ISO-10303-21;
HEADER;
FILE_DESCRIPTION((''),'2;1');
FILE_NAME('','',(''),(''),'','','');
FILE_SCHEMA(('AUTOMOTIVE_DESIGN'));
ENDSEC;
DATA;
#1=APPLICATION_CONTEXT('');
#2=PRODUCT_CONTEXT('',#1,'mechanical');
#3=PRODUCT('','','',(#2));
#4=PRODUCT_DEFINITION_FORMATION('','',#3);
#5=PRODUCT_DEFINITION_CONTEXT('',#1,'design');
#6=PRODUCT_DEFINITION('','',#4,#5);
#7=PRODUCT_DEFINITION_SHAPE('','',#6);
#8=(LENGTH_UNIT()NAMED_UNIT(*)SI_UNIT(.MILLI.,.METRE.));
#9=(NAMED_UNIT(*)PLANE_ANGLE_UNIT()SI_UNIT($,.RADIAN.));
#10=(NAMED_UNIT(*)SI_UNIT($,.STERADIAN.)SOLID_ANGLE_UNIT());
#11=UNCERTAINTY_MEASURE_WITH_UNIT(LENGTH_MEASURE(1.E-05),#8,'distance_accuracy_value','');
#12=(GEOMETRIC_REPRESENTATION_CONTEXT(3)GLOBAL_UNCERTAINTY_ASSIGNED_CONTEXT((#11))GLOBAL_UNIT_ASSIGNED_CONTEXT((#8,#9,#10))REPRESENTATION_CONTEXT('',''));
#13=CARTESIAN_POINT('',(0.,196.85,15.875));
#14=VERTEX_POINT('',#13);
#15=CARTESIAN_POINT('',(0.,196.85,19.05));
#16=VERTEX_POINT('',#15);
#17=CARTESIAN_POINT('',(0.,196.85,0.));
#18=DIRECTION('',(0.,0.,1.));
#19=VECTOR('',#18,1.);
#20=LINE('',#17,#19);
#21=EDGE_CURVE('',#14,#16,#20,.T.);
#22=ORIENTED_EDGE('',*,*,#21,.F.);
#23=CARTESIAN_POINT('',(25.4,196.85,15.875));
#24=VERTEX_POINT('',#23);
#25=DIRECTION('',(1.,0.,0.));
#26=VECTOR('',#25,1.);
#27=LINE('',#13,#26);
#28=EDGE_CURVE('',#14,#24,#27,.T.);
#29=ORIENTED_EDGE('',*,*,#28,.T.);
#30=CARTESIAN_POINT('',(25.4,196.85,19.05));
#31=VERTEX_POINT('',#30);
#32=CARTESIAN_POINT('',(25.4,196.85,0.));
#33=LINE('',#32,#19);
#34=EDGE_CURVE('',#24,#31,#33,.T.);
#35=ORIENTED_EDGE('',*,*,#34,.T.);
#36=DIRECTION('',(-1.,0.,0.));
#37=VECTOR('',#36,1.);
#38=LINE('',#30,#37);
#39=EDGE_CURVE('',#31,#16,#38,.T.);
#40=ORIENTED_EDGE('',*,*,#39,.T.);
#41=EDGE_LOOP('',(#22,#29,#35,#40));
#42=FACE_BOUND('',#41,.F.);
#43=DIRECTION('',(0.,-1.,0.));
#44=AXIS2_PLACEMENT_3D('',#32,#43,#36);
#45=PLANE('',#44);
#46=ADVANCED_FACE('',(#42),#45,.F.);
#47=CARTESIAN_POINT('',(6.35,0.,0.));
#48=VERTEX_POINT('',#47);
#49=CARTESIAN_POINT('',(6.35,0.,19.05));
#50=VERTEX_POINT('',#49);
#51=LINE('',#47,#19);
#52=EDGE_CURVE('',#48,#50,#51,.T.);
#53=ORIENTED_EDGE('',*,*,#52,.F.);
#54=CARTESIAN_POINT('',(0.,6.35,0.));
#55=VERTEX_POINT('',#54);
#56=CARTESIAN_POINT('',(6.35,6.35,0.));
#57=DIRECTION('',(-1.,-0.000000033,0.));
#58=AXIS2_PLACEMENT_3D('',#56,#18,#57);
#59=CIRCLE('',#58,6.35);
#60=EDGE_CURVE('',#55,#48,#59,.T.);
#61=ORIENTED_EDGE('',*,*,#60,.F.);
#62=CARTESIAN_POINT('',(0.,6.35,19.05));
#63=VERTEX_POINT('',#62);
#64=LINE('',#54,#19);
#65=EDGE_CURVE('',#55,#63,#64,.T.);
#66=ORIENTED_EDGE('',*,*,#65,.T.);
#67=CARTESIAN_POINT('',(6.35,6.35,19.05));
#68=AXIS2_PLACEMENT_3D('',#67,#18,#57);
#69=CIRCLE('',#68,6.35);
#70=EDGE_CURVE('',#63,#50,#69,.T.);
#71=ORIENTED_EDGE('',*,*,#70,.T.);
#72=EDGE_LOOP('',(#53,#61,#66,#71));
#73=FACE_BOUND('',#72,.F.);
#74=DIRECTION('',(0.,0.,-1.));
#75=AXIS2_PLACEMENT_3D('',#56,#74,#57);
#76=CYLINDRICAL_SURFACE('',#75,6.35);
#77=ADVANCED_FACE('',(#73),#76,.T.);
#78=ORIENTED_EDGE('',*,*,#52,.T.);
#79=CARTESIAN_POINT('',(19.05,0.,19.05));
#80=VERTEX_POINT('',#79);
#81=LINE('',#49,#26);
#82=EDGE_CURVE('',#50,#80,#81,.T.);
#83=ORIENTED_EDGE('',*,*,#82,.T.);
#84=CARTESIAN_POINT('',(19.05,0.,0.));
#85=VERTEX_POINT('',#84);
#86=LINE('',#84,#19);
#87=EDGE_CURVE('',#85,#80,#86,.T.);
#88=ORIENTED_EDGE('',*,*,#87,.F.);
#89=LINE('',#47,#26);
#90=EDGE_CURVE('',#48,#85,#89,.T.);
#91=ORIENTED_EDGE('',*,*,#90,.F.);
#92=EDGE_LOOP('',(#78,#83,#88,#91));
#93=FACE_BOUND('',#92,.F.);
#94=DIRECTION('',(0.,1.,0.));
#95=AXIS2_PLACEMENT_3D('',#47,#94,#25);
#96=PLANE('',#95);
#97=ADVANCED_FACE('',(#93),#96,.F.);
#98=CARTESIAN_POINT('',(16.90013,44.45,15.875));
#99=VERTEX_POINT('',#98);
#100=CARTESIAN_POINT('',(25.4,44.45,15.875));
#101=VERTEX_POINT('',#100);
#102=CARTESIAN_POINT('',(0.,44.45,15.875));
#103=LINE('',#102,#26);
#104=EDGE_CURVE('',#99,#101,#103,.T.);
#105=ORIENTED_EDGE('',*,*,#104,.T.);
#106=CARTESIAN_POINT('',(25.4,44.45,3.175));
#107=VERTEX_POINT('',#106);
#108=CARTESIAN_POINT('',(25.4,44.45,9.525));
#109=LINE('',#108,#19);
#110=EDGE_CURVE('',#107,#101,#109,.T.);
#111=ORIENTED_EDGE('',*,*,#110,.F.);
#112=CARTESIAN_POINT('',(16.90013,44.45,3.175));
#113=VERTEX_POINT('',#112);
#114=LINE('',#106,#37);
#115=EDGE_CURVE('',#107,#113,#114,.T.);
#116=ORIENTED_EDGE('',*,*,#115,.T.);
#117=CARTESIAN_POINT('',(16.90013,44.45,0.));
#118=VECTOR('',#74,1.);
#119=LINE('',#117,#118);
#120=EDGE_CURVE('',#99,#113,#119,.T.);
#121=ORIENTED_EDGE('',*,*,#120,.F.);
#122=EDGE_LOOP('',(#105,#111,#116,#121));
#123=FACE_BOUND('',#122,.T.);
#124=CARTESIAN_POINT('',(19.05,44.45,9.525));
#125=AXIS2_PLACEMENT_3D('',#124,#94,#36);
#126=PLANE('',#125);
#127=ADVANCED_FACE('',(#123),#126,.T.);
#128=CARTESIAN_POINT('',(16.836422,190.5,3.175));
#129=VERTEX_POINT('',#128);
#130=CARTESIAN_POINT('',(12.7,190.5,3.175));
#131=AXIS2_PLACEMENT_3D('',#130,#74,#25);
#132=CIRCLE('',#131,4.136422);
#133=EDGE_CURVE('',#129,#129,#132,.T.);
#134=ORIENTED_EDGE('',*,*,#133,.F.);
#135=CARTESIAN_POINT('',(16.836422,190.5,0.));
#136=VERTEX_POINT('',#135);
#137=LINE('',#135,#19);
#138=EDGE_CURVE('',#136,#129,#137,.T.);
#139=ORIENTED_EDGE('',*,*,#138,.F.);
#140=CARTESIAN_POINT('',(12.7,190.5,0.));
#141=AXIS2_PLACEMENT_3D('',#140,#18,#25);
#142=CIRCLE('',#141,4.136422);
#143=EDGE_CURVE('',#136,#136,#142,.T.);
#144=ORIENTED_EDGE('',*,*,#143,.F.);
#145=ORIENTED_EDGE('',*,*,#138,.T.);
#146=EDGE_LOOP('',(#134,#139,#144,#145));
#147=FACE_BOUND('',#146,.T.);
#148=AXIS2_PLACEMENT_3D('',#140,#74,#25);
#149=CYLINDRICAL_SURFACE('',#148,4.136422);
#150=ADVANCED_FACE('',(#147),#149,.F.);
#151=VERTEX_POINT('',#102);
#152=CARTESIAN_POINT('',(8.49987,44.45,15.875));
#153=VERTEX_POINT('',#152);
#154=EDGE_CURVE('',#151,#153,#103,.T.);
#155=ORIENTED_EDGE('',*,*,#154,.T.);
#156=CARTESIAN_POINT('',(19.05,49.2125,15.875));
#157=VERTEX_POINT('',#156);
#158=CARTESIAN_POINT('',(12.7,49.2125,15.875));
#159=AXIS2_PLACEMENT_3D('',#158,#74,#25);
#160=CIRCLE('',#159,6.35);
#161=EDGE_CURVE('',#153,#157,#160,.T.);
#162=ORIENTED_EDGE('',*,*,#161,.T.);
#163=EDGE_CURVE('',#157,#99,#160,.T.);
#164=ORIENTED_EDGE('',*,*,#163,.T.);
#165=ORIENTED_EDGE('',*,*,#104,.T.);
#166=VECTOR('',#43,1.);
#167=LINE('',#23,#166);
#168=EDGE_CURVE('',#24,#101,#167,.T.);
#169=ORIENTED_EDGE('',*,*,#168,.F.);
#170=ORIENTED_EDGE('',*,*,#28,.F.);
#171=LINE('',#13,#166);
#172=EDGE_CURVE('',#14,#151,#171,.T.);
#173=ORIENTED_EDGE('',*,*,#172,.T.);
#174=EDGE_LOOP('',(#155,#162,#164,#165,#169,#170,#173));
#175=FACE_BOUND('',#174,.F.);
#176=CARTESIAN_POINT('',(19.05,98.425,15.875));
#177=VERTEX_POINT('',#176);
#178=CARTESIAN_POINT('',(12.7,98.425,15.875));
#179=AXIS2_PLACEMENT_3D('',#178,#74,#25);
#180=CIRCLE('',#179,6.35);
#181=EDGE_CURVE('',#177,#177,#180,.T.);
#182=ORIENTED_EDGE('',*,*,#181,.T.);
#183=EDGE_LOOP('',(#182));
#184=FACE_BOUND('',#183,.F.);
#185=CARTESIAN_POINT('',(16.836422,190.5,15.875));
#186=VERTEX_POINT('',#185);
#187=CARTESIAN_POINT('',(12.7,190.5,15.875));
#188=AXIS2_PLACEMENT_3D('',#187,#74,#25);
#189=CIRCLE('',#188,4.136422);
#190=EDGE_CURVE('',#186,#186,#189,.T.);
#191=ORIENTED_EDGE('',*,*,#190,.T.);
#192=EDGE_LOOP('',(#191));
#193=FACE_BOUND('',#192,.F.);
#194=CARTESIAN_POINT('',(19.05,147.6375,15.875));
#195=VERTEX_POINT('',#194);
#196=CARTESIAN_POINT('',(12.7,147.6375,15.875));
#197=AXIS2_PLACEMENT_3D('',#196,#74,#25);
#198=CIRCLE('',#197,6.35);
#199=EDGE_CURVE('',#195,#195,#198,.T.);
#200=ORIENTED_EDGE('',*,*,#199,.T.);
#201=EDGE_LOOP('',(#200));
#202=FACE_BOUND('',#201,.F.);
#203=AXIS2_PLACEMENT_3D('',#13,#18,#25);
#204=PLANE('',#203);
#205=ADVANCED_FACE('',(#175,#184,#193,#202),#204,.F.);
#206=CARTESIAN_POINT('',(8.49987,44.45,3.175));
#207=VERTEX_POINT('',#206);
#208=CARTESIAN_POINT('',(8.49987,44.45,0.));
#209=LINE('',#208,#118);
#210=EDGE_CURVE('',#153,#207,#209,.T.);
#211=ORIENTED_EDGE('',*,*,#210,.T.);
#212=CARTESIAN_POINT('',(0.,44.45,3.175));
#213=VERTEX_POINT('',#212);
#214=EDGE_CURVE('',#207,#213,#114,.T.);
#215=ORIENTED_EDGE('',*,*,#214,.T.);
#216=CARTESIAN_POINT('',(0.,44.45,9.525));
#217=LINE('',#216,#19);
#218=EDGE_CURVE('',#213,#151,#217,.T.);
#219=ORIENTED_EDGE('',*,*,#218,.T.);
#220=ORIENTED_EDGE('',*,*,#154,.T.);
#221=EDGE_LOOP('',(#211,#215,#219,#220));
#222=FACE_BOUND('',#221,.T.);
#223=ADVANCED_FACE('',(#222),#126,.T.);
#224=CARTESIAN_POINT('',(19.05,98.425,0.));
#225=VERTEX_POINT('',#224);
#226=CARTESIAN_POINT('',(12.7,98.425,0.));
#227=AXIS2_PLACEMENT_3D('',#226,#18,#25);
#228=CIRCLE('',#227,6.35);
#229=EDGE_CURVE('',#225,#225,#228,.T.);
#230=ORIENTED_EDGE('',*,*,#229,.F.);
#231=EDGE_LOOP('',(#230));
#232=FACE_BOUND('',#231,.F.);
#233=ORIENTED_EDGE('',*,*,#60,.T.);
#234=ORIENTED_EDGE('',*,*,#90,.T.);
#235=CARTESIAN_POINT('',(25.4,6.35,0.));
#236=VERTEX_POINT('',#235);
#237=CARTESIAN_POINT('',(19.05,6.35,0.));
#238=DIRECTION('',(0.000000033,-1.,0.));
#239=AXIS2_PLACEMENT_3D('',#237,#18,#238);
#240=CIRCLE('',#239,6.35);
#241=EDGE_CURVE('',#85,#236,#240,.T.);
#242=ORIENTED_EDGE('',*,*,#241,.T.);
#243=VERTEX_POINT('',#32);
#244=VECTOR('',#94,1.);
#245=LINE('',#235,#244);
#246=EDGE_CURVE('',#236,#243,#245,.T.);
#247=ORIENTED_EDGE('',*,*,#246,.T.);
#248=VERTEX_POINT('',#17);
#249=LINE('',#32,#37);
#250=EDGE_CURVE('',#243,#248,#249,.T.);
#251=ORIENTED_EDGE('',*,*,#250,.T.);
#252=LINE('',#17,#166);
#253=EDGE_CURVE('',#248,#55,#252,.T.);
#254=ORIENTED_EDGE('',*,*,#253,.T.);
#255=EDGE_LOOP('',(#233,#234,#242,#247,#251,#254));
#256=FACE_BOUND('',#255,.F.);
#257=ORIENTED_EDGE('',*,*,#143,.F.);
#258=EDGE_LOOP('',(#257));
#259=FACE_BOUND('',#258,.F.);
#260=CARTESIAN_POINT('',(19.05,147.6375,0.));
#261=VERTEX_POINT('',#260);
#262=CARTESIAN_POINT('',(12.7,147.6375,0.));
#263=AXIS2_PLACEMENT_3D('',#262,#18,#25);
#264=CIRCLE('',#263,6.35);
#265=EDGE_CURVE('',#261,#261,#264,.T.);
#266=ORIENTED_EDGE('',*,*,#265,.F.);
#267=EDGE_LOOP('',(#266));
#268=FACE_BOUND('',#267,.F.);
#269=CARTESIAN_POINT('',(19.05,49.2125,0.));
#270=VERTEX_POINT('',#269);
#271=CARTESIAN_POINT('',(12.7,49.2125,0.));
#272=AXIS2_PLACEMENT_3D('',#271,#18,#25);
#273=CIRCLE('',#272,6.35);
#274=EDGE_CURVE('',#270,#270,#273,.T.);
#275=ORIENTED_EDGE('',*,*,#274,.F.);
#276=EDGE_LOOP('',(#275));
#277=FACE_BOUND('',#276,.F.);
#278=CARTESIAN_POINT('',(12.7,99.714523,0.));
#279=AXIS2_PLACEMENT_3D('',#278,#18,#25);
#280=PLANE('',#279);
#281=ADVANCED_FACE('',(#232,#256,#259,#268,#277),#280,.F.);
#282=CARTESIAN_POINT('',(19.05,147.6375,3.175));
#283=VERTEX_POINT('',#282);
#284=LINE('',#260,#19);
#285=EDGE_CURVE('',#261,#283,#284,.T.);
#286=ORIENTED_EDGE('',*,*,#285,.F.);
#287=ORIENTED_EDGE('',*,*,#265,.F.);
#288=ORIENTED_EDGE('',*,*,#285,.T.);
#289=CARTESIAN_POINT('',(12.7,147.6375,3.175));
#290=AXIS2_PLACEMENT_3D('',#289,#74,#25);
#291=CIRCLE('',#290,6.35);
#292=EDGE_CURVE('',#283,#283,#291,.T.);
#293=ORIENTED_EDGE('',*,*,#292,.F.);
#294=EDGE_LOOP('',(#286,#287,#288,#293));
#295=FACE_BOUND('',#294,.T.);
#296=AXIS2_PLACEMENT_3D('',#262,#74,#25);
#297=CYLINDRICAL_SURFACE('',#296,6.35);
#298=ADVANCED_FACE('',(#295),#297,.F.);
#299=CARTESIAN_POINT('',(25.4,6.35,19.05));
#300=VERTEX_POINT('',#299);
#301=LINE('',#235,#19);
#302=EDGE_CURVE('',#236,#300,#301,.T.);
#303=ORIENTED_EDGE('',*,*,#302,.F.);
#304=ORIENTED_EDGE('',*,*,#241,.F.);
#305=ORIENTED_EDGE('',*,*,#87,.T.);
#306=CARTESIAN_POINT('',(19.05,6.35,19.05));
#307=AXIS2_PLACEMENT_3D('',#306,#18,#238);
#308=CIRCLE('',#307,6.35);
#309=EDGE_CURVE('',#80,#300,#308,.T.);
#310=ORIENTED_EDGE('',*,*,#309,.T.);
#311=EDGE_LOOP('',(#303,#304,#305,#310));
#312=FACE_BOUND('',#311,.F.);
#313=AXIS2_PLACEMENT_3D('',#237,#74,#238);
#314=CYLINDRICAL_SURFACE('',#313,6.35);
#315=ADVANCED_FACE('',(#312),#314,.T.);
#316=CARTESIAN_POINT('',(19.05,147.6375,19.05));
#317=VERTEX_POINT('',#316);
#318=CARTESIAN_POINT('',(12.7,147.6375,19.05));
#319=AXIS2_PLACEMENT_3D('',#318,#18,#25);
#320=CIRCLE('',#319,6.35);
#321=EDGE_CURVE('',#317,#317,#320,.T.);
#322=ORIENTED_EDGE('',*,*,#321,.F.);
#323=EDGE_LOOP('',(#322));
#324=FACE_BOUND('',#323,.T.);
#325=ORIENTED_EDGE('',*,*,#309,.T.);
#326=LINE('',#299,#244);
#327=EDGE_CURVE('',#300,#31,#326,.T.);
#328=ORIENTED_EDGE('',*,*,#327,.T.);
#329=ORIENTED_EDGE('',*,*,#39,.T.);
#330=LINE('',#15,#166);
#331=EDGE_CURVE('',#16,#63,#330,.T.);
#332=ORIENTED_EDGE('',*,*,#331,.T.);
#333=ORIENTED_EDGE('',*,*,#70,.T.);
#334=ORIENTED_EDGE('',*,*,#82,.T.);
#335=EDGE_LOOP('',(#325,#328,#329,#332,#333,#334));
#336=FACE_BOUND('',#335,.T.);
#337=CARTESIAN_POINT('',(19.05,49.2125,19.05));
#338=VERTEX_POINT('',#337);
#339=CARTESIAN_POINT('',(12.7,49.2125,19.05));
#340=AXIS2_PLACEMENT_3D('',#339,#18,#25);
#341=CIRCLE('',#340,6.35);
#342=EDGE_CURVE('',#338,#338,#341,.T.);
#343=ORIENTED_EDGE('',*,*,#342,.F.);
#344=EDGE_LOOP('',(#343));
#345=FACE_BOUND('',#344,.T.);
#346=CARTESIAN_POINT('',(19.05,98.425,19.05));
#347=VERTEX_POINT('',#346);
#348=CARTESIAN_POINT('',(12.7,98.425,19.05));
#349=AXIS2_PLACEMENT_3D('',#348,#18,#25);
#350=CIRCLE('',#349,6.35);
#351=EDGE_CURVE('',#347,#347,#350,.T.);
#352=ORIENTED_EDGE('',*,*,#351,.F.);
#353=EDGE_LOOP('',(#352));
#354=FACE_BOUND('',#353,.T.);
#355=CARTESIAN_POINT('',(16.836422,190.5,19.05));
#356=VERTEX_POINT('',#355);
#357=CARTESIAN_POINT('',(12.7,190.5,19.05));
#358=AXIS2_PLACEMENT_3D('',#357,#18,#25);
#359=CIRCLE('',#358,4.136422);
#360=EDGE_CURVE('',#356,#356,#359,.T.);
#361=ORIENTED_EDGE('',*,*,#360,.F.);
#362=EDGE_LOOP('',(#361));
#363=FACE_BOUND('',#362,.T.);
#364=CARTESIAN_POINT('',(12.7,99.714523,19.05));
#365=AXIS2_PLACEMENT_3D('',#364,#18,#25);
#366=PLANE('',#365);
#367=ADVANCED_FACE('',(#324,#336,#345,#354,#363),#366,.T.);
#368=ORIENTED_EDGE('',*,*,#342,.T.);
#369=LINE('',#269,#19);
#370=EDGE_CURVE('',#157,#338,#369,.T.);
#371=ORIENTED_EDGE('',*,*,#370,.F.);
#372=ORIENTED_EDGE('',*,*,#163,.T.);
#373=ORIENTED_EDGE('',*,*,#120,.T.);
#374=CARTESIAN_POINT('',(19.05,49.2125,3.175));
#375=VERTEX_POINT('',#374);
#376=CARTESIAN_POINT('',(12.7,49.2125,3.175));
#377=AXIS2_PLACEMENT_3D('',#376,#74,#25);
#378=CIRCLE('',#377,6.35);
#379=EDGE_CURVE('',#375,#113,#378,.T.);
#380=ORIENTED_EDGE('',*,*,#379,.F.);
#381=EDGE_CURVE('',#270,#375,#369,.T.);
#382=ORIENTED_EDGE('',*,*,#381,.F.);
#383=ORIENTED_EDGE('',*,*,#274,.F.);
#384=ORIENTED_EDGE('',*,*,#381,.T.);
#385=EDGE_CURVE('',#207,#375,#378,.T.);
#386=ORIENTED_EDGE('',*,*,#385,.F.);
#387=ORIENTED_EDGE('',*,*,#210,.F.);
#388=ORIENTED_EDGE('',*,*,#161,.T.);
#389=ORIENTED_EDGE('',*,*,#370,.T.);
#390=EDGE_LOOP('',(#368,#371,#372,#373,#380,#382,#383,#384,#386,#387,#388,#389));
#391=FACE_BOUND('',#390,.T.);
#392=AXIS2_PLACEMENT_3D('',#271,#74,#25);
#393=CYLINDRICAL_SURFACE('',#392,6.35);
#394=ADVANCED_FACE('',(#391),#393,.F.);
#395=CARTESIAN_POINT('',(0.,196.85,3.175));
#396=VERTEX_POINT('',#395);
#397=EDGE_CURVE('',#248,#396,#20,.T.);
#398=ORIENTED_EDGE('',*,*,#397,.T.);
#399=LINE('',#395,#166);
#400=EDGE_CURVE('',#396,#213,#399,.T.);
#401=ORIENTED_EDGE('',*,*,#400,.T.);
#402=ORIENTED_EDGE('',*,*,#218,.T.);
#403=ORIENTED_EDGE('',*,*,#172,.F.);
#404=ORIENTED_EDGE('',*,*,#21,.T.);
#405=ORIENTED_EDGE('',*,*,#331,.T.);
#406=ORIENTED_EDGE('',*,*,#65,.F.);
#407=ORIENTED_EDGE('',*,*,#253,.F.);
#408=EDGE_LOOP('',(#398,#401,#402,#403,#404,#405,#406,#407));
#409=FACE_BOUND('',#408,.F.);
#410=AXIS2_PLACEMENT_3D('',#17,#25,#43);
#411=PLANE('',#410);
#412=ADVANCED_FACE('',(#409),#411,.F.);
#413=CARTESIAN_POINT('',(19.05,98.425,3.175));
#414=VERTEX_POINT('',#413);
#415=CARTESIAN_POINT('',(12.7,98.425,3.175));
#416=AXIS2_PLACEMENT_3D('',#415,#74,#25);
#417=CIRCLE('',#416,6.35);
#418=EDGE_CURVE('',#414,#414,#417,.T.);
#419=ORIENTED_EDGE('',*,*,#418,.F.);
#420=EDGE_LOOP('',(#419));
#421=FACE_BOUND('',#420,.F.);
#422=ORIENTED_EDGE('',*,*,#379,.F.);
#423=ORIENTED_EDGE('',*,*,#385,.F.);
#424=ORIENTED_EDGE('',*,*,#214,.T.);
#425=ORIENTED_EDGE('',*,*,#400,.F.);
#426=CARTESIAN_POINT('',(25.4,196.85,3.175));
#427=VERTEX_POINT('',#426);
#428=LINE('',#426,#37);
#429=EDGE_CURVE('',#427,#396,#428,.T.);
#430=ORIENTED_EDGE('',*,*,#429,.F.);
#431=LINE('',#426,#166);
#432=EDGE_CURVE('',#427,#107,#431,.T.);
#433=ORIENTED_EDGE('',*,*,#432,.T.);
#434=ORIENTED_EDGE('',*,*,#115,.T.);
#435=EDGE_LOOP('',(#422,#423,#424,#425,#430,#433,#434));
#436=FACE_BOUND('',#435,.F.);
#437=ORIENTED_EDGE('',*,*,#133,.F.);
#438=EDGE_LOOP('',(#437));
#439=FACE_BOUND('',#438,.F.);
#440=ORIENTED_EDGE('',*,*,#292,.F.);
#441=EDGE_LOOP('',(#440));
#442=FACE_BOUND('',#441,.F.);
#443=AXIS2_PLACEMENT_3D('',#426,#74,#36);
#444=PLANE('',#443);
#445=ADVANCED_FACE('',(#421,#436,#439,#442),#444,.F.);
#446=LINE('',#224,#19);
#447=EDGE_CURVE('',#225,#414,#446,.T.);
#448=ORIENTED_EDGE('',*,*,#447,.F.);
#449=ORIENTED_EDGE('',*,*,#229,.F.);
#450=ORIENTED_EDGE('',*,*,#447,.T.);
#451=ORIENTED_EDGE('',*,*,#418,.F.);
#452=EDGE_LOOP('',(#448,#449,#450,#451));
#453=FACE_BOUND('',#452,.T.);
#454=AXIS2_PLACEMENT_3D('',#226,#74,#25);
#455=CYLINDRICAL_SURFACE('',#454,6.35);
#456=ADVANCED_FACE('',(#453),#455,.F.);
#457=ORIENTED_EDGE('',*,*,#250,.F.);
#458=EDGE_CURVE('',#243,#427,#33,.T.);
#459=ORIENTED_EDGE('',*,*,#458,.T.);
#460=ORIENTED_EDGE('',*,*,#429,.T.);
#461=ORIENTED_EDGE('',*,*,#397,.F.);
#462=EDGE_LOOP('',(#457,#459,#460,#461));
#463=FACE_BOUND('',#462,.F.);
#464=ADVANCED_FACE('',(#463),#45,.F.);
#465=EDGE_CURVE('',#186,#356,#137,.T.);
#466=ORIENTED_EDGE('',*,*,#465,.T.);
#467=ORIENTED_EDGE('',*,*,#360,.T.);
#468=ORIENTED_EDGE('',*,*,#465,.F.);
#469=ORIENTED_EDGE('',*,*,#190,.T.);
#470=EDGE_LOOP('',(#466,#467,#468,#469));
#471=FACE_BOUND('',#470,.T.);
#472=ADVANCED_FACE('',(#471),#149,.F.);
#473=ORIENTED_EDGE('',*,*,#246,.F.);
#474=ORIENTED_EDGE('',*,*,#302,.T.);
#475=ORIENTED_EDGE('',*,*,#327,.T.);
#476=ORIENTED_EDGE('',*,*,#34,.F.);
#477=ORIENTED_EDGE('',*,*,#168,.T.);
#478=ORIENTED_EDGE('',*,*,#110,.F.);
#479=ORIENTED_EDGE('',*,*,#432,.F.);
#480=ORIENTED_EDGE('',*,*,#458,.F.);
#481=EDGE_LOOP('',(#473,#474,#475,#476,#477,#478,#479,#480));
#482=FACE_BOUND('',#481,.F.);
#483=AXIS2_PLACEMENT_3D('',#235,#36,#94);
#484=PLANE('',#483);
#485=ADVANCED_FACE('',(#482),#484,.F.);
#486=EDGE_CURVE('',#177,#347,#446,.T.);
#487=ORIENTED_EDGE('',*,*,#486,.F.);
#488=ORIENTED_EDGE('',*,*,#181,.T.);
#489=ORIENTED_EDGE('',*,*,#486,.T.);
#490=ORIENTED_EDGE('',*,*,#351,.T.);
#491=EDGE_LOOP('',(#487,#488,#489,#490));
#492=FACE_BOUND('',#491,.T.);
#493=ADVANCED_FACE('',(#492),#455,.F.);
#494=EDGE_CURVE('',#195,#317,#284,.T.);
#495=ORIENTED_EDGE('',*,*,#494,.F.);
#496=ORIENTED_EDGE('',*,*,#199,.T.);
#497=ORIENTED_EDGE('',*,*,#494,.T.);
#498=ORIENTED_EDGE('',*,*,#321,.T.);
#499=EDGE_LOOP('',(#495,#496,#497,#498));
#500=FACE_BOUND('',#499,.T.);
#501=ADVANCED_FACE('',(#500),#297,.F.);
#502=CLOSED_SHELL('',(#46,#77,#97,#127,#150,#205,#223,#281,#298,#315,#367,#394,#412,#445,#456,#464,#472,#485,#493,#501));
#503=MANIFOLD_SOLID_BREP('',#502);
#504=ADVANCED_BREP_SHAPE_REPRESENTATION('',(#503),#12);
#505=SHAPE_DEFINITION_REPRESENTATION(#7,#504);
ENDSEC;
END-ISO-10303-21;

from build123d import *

# Parameters (mm, degrees)
F0_R     = 6.35
F0_R_2   = 4.136422
F1_DEPTH = 19.05
F2_W     = 12.7
F2_H     = 12.7
F3_DEPTH = 152.4


with BuildPart() as f1:
    # F0 (on Top) → F1 (new body)
    with BuildSketch(Plane.XY):
        with BuildLine():
            Line((25.4, 6.35), (25.4, 196.85))
            Line((25.4, 196.85), (6.35, 196.85))
            Line((6.35, 196.85), (0, 196.85))
            Line((0, 196.85), (0, 190.5))
            Line((0, 190.5), (0, 98.425))
            Line((0, 98.425), (0, 6.35))
            ThreePointArc((0, 6.35), (1.859872, 1.859872), (6.35, 0))
            Line((6.35, 0), (19.05, 0))
            ThreePointArc((19.05, 0), (23.540128, 1.859872), (25.4, 6.35))
        make_face()
        with Locations((12.7, 49.2125)):
            Circle(F0_R, mode=Mode.SUBTRACT)
        with Locations((12.7, 98.425)):
            Circle(F0_R, mode=Mode.SUBTRACT)
        with Locations((12.7, 147.6375)):
            Circle(F0_R, mode=Mode.SUBTRACT)
        with Locations((12.7, 190.5)):
            Circle(F0_R_2, mode=Mode.SUBTRACT)
    extrude(amount=F1_DEPTH)

    # F2 (on face) → F3 (cut)
    with BuildSketch(Plane(origin=(0, 196.85, 0), x_dir=(-1, 0, 0), z_dir=(0, 1, 0))):
        with Locations((-19.05, 9.525)):
            Rectangle(F2_W, F2_H)
        with Locations((-6.35, 9.525)):
            Rectangle(F2_W, F2_H)
    extrude(amount=-F3_DEPTH, mode=Mode.SUBTRACT)


solid = f1.part
